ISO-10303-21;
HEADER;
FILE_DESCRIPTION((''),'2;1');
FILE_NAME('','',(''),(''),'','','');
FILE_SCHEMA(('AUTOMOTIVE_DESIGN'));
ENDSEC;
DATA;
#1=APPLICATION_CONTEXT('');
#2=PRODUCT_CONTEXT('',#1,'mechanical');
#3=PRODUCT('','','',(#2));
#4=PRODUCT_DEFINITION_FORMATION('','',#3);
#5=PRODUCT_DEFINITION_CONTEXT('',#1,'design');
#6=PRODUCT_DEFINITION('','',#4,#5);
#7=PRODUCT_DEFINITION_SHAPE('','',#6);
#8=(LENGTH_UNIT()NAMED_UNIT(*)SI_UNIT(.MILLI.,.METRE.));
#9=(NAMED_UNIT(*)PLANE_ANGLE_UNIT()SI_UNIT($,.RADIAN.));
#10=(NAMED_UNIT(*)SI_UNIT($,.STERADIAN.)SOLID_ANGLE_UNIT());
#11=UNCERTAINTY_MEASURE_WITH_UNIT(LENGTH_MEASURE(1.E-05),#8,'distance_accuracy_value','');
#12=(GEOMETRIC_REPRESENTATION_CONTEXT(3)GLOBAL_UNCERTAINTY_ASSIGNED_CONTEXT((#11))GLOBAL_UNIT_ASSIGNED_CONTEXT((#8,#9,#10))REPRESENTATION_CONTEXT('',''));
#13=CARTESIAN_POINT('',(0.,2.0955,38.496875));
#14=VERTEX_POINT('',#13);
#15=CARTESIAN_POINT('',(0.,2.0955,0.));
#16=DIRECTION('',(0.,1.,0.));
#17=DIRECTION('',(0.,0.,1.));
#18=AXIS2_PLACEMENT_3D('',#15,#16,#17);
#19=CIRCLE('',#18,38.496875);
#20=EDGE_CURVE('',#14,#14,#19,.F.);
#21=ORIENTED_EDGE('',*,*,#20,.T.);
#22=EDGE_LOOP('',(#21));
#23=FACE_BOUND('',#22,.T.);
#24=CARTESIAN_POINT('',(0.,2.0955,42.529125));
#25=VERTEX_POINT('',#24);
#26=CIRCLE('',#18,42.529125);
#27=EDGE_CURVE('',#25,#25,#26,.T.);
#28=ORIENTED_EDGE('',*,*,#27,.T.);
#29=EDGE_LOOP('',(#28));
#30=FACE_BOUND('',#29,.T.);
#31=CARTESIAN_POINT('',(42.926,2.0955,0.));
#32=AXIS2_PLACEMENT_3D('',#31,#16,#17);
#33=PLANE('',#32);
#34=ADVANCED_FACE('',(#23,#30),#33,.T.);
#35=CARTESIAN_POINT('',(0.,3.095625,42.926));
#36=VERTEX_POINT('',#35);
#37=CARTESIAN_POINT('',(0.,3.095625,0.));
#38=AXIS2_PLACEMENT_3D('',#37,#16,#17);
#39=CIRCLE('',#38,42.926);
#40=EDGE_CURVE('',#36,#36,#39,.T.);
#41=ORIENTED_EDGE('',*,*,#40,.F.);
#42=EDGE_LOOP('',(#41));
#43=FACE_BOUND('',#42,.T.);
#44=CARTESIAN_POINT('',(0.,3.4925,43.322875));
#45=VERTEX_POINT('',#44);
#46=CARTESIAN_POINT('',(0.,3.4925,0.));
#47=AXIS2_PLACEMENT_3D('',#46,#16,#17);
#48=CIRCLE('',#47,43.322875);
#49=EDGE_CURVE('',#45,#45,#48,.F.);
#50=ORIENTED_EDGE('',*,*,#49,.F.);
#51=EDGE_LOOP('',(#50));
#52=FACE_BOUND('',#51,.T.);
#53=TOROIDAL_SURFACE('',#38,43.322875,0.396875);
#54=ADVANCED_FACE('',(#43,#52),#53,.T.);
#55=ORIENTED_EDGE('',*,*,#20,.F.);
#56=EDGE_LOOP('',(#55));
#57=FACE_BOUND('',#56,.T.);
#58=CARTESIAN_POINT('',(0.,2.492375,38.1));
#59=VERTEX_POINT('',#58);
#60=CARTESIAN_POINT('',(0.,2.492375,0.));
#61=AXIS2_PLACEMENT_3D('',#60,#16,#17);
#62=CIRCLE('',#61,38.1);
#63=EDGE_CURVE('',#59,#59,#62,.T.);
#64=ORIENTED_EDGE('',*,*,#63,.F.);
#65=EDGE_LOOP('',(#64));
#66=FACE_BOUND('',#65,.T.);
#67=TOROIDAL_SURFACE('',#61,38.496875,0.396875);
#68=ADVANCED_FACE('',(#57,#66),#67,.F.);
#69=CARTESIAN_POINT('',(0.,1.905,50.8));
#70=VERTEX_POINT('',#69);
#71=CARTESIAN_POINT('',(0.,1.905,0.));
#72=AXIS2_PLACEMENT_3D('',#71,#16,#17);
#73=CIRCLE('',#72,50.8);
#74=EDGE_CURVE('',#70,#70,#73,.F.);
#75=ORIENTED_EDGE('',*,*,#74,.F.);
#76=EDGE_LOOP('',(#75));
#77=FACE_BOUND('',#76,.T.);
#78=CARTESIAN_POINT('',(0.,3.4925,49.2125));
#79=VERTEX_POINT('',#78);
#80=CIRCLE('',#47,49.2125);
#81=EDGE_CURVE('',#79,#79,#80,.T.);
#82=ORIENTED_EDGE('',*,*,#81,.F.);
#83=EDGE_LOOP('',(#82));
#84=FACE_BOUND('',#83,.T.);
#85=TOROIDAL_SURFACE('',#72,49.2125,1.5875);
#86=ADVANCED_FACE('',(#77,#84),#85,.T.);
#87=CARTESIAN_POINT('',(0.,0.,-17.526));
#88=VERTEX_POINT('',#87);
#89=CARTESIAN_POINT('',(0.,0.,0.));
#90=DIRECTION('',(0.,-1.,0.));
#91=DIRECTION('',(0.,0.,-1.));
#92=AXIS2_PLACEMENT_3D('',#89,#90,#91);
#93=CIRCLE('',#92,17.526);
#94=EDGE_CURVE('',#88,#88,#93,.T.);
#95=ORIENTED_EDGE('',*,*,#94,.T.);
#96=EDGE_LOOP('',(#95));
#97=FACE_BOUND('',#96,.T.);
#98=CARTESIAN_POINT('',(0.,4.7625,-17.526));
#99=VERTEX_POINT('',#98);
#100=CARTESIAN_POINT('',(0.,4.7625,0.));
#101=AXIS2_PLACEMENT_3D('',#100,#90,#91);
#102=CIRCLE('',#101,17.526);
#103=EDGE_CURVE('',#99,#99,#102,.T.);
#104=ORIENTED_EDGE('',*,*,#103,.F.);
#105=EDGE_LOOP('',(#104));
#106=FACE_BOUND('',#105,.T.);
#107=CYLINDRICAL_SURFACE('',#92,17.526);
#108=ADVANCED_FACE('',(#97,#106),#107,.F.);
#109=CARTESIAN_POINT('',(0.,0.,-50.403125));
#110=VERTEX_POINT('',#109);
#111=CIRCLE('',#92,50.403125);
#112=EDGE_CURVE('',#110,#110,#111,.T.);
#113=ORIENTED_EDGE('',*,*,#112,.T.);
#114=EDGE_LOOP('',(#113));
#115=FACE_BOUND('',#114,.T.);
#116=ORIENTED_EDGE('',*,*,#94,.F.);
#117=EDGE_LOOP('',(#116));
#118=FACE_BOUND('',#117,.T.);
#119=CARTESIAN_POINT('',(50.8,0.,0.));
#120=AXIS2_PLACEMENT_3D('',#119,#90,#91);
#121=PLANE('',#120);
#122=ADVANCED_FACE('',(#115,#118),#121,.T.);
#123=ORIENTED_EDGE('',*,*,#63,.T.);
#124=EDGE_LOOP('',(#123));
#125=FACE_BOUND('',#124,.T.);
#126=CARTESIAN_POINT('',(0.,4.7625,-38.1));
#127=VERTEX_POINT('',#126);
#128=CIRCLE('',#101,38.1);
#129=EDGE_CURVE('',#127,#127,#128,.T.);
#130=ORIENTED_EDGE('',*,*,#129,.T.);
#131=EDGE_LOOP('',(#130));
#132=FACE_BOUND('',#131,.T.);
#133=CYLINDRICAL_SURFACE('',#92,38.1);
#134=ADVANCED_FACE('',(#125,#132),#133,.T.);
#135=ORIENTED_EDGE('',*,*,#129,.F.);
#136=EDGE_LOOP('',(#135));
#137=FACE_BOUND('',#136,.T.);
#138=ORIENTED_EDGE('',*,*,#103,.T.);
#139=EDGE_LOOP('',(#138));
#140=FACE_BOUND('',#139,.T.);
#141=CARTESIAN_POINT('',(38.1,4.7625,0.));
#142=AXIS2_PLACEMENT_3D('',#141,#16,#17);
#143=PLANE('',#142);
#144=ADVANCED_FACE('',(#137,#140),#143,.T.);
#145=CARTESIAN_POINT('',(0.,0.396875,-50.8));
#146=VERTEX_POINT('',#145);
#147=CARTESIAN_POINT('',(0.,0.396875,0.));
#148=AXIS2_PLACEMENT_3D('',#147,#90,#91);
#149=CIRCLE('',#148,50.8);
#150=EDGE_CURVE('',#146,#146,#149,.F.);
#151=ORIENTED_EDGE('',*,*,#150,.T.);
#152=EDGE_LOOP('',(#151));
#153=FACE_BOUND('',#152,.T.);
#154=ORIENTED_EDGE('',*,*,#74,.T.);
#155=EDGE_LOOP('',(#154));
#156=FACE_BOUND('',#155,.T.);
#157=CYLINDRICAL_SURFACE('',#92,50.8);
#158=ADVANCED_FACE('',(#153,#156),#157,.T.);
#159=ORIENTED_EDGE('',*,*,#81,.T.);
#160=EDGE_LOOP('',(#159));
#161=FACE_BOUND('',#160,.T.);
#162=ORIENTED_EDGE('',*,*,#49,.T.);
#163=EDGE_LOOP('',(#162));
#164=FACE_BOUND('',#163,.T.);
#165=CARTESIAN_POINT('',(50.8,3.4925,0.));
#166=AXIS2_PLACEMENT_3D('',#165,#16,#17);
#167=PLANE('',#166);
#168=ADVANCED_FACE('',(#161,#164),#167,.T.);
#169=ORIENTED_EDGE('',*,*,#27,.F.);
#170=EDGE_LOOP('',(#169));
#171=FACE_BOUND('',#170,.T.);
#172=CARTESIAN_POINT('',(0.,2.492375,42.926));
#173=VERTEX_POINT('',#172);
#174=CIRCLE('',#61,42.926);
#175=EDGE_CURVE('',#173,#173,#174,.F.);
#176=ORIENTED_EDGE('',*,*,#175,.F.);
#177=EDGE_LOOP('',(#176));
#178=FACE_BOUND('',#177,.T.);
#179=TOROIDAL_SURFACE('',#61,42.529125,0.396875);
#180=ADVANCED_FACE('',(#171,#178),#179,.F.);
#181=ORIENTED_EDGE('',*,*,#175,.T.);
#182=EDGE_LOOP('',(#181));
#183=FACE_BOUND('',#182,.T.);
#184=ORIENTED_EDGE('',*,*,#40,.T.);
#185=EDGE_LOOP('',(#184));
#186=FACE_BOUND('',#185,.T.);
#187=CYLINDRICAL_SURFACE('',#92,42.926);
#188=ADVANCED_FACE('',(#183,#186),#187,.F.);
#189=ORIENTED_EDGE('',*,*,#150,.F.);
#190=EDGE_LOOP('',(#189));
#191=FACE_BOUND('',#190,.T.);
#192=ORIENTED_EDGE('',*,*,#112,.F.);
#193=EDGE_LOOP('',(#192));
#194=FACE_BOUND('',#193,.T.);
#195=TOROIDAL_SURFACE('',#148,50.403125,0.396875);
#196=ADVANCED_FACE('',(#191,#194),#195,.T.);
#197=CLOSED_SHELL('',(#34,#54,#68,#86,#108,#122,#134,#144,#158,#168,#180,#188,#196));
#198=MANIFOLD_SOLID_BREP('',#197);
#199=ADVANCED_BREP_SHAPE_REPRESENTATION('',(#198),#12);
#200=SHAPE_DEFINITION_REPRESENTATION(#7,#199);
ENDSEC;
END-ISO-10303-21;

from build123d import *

# Parameters (mm, degrees)
FILLET1_R = 0.396875
FILLET2_R = 1.5875


with BuildPart() as part:
    # Sketch1 → Revolve1 (revolve)
    with BuildSketch(Plane.XY, mode=Mode.PRIVATE) as revolve1_sk:
        Polygon((17.526, 0), (17.526, 2.0955), (17.526, 4.7625), (38.1, 4.7625), (38.1, 2.0955), (42.926, 2.0955), (42.926, 3.4925), (50.8, 3.4925), (50.8, 0), align=None)
    revolve(revolve1_sk.sketch.rotate(Axis((0, 0, 0), (0, 1, 0)), 90), axis=Axis((0, 0, 0), (0, 1, 0)))

    # Fillet1
    fillet1_edges = [part.edges().sort_by_distance(p)[0] for p in [
        (0, 0, 50.8),
        (0, 3.4925, 42.926),
        (0, 2.0955, 42.926),
        (0, 2.0955, 38.1),
    ]]
    fillet(fillet1_edges, radius=FILLET1_R)

    # Fillet2
    fillet2_edges = [part.edges().sort_by_distance(p)[0] for p in [
        (0, 3.4925, 50.8),
    ]]
    fillet(fillet2_edges, radius=FILLET2_R)


solid = part.part
